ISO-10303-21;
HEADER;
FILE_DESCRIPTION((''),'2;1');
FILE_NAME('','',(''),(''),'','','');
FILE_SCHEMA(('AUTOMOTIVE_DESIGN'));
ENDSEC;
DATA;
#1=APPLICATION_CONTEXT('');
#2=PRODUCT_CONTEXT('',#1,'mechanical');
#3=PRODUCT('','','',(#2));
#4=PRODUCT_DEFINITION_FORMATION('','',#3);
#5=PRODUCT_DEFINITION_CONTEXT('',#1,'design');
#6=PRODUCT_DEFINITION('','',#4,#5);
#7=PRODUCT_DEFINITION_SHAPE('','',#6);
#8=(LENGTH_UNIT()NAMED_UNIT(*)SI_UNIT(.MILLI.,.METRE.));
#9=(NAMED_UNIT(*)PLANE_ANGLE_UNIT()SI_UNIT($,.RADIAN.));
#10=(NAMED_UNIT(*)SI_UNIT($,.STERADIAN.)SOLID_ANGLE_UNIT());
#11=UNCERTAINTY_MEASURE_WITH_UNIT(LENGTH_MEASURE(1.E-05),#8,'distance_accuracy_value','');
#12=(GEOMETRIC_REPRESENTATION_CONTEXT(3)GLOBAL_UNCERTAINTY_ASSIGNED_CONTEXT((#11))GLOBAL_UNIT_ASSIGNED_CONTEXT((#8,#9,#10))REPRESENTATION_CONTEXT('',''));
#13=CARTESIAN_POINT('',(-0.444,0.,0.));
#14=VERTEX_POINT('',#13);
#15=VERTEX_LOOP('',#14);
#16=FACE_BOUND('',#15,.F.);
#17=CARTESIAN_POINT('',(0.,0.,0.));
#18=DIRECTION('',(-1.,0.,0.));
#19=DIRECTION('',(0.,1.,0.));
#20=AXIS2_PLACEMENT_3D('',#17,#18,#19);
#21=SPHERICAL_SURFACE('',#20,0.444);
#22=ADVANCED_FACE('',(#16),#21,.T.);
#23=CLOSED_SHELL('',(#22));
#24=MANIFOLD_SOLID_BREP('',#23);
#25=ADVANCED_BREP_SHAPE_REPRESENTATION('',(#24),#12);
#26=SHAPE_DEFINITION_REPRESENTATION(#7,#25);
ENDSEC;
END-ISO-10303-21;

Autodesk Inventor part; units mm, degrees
sketch "Sketch_1" plane through (0, 0, 0) normal (0, 0, 1) x (1, 0, 0)
  line L0 (0.444, 0) -> (-0.444, 0)
  arc A0 (0.444, 0) -> (-0.444, 0) centre (0, 0) ccw
  line L1 (0.444, 0) -> (-0.444, 0)
revolve "Revolution1" add sketch "Sketch_1" angle 360 about axis through (0.444, 0, 0) along (1, 0, 0)
ref_plane "mss_ball_XY" through (0, 0, 0) normal (1, 0, 0) x (0, 0, -1)
ref_plane "mss_ball_YZ" through (0, 0, 0) normal (0, 0, -1) x (0, 1, 0)
ref_plane "mss_ball_ZX" through (0, 0, 0) normal (0, 1, 0) x (1, 0, 0)
properties part number "WA673SA Ball"
